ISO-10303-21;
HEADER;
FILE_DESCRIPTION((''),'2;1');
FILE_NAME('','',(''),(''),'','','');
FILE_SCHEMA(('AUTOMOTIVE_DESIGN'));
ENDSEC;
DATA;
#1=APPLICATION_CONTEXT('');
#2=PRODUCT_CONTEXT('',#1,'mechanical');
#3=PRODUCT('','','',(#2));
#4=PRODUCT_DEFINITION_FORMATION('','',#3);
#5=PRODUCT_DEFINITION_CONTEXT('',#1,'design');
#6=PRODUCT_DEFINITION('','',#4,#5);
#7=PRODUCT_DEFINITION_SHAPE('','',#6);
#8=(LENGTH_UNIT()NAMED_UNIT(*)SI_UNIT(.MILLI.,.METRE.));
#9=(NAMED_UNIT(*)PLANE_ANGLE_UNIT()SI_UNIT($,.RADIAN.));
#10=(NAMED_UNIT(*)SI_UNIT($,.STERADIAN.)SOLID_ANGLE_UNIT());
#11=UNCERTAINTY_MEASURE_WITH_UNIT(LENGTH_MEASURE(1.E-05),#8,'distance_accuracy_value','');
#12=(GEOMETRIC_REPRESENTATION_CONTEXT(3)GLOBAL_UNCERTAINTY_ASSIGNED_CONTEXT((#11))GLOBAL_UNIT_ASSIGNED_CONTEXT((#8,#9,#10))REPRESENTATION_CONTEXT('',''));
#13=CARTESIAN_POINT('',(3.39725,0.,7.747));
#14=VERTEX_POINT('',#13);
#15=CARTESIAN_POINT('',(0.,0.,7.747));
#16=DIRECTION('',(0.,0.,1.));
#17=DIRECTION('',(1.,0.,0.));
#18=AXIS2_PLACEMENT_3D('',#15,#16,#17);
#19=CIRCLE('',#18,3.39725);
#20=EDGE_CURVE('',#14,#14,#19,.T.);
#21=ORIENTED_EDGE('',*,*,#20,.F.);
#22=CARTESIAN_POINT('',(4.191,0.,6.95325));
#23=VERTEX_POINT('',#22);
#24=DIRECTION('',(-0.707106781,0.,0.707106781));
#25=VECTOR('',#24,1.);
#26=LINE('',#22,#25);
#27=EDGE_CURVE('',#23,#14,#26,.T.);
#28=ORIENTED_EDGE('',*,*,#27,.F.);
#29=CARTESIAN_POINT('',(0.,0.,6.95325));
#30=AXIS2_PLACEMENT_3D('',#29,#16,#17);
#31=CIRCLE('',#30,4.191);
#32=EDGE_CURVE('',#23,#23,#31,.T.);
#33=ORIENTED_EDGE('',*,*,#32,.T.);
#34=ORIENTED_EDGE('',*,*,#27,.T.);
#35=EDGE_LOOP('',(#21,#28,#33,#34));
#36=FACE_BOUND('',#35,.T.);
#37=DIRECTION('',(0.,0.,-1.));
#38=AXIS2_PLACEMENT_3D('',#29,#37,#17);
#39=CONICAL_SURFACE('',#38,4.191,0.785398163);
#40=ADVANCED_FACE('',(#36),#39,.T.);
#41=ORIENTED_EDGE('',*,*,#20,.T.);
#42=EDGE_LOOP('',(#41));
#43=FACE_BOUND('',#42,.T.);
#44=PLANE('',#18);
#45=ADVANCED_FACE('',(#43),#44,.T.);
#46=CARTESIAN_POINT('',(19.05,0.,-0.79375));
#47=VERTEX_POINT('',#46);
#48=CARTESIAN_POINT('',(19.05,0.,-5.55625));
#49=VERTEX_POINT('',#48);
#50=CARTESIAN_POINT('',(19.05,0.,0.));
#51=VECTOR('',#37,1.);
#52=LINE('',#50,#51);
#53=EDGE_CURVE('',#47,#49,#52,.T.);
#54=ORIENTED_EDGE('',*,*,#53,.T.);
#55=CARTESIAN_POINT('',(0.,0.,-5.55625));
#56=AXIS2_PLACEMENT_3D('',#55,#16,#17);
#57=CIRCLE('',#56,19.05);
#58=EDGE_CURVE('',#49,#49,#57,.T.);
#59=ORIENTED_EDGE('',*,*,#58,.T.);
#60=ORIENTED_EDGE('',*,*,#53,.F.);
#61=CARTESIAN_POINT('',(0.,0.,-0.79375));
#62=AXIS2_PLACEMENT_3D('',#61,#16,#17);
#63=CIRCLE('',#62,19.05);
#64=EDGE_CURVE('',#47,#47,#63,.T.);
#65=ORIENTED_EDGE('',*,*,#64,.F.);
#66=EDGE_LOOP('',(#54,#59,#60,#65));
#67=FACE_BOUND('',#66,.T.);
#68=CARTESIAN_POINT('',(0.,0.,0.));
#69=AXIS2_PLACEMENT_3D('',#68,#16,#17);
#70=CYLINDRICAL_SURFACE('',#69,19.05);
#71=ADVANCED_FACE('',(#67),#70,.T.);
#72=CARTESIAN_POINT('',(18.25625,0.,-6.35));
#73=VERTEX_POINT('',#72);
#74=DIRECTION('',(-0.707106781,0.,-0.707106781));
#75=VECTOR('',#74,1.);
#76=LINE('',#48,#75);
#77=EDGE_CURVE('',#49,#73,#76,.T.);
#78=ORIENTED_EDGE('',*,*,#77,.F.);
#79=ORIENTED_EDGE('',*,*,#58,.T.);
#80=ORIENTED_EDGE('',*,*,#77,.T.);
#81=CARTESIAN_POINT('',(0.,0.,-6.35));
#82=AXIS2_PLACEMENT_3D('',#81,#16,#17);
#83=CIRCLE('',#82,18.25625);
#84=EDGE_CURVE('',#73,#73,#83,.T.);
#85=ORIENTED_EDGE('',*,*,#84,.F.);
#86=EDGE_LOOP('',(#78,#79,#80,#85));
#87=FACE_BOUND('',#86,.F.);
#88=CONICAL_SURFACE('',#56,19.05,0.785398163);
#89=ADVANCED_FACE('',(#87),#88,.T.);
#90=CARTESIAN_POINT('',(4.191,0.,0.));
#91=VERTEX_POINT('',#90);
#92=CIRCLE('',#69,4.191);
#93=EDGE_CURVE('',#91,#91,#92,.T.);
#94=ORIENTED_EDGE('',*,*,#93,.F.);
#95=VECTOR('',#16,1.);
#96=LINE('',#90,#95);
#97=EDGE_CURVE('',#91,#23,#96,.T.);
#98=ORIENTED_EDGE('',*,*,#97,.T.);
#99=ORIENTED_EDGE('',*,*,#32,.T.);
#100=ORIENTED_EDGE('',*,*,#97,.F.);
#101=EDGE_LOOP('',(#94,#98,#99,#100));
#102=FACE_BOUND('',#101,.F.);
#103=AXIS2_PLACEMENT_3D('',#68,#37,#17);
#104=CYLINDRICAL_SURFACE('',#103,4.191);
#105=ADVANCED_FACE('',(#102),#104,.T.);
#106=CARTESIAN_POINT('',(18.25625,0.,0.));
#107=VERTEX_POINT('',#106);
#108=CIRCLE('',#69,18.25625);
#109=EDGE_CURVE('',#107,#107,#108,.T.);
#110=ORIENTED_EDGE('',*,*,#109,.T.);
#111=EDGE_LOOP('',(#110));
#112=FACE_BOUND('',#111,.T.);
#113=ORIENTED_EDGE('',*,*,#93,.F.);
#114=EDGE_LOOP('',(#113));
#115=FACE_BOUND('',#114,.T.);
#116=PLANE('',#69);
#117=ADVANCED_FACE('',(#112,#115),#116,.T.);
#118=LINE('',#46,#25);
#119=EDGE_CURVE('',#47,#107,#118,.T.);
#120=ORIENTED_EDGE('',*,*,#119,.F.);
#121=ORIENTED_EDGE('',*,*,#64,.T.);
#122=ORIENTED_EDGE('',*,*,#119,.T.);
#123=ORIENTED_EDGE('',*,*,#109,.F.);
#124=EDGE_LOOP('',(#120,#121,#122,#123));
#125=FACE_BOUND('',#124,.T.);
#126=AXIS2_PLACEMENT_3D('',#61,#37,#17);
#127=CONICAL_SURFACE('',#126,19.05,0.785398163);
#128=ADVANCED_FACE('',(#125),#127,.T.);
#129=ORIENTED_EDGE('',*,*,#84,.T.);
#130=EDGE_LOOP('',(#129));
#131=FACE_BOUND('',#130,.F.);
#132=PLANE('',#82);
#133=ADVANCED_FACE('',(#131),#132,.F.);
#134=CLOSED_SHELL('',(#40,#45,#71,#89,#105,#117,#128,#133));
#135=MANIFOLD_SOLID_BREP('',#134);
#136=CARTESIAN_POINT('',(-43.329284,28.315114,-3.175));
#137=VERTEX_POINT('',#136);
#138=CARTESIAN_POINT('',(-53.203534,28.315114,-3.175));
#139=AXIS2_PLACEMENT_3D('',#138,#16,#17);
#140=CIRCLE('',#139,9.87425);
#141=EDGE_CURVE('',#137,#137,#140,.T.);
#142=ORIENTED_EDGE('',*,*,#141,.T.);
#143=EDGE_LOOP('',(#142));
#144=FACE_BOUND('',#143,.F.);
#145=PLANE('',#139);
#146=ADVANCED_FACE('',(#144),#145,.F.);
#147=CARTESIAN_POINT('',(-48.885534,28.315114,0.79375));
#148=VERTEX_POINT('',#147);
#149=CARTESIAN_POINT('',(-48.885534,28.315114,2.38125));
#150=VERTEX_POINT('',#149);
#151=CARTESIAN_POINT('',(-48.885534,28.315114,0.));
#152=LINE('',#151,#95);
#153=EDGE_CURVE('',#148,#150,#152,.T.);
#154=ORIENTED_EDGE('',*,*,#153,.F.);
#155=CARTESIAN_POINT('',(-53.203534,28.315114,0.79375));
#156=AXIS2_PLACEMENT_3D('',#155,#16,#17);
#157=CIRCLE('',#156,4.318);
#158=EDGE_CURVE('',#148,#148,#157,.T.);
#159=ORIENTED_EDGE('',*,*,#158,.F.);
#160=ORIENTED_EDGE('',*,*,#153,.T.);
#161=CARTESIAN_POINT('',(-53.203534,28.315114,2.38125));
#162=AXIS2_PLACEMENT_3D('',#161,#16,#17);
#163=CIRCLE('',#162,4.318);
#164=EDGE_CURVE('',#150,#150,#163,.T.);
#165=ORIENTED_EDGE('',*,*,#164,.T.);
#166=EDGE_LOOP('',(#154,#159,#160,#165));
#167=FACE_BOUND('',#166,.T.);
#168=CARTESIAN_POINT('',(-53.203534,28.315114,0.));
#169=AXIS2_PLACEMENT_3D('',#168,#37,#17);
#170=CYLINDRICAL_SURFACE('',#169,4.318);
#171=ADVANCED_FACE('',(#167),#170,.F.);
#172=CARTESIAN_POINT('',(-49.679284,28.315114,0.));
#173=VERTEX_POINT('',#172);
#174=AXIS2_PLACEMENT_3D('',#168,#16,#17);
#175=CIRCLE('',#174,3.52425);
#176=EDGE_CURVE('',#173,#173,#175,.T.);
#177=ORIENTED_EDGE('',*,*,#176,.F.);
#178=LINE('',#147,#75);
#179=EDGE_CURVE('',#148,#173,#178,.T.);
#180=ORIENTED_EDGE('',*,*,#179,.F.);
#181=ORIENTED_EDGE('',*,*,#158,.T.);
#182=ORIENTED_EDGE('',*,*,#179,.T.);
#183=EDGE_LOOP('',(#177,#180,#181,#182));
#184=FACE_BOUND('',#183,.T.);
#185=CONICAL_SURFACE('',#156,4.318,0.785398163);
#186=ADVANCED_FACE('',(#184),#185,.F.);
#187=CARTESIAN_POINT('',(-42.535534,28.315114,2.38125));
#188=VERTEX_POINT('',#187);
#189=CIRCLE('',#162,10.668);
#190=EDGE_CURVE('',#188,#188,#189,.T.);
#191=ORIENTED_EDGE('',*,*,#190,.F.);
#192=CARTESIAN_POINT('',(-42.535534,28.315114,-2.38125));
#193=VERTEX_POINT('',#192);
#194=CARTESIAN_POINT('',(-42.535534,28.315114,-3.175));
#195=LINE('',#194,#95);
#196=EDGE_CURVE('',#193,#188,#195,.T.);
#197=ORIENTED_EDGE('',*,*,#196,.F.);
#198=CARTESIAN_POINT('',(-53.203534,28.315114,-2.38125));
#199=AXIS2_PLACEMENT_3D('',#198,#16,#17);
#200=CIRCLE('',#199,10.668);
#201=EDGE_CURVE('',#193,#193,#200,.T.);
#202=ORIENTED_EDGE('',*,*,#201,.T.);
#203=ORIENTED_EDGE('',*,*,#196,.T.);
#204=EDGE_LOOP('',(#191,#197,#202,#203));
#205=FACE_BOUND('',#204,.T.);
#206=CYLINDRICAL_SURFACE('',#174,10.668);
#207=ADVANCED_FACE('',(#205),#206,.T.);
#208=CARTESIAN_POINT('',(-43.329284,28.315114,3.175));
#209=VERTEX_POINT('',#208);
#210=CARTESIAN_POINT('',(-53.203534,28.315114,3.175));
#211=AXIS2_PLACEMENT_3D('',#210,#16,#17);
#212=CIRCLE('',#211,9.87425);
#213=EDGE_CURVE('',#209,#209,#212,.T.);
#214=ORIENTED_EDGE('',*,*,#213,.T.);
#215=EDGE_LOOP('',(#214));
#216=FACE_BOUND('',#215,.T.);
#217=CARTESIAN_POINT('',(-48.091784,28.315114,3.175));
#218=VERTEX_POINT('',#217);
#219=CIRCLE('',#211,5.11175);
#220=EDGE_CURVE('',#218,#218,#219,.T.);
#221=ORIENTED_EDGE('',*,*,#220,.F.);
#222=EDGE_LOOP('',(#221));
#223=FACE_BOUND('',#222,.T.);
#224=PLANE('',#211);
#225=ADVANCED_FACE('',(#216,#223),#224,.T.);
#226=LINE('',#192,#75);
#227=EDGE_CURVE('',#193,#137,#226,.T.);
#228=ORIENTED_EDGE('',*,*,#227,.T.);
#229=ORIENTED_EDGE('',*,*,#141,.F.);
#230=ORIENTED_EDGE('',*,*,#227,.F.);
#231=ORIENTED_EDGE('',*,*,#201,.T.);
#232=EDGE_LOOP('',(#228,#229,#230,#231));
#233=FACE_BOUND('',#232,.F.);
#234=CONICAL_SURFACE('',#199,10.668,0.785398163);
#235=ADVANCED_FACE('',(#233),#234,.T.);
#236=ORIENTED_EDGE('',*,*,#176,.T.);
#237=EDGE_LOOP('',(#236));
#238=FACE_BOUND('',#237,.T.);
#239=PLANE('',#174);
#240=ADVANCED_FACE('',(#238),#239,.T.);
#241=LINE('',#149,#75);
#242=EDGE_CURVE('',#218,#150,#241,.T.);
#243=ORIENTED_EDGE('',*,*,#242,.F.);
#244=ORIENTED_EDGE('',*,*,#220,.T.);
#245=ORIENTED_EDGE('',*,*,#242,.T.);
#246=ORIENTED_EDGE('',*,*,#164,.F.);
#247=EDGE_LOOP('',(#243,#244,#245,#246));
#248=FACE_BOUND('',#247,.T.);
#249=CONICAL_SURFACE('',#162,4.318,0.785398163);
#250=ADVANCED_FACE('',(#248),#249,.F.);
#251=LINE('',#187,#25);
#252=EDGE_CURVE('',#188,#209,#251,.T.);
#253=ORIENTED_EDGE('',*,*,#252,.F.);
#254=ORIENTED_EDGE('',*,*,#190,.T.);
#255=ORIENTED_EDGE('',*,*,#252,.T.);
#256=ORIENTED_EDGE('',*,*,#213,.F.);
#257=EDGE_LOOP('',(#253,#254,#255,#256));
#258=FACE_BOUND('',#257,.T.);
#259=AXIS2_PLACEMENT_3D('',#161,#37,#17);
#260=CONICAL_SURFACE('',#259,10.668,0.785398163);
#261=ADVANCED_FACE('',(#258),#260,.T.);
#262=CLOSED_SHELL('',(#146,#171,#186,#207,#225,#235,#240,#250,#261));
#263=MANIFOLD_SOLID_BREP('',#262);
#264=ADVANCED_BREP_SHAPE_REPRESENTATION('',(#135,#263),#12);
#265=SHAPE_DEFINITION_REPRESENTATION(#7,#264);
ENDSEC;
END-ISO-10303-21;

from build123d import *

# Parameters (mm, degrees)
F0_R      = 4.191
F1_DEPTH  = 7.747
F0_R_2    = 19.05
F2_DEPTH  = 6.35
F0_R_3    = 10.668
F0_R_4    = 4.318
F3_DEPTH  = 3.175
F4_DEPTH  = 3.175
F5_SIZE   = 0.79375
F5_2_SIZE = 0.79375


with BuildPart() as f1:
    # F0 (on Top) → F1 (new body)
    with BuildSketch(Plane.XY):
        Circle(F0_R)
    extrude(amount=F1_DEPTH)

    # F0 (on Top) → F2 (join)
    with BuildSketch(Plane.XY):
        Circle(F0_R_2)
        Circle(F0_R, mode=Mode.SUBTRACT)
        Circle(F0_R)
    extrude(amount=-F2_DEPTH)

    # F5#2
    f5_2_edges = [f1.edges().sort_by_distance(p)[0] for p in [
        (19.05, 0, -3.175),
        (-19.05, 0, 0),
        (-19.05, 0, -6.35),
        (-4.191, 0, 7.747),
    ]]
    chamfer(f5_2_edges, length=F5_2_SIZE)


with BuildPart() as f3:
    # F0 (on Top) → F3 (new body)
    with BuildSketch(Plane.XY):
        with Locations((-53.2035343349, 28.3151138574)):
            Circle(F0_R_3)
        with Locations((-53.2035343349, 28.3151138574)):
            Circle(F0_R_4, mode=Mode.SUBTRACT)
    extrude(amount=F3_DEPTH)

    # F0 (on Top) → F4 (join)
    with BuildSketch(Plane.XY):
        with Locations((-53.2035343349, 28.3151138574)):
            Circle(F0_R_3)
        with Locations((-53.2035343349, 28.3151138574)):
            Circle(F0_R_4, mode=Mode.SUBTRACT)
        with Locations((-53.2035343349, 28.3151138574)):
            Circle(F0_R_4)
    extrude(amount=-F4_DEPTH)

    # F5
    f5_edges = [f3.edges().sort_by_distance(p)[0] for p in [
        (-63.871534, 28.315114, 3.175),
        (-57.521534, 28.315114, 0),
        (-57.521534, 28.315114, 3.175),
        (-63.871534, 28.315114, -3.175),
    ]]
    chamfer(f5_edges, length=F5_SIZE)


solid = Compound([f1.part, f3.part])
